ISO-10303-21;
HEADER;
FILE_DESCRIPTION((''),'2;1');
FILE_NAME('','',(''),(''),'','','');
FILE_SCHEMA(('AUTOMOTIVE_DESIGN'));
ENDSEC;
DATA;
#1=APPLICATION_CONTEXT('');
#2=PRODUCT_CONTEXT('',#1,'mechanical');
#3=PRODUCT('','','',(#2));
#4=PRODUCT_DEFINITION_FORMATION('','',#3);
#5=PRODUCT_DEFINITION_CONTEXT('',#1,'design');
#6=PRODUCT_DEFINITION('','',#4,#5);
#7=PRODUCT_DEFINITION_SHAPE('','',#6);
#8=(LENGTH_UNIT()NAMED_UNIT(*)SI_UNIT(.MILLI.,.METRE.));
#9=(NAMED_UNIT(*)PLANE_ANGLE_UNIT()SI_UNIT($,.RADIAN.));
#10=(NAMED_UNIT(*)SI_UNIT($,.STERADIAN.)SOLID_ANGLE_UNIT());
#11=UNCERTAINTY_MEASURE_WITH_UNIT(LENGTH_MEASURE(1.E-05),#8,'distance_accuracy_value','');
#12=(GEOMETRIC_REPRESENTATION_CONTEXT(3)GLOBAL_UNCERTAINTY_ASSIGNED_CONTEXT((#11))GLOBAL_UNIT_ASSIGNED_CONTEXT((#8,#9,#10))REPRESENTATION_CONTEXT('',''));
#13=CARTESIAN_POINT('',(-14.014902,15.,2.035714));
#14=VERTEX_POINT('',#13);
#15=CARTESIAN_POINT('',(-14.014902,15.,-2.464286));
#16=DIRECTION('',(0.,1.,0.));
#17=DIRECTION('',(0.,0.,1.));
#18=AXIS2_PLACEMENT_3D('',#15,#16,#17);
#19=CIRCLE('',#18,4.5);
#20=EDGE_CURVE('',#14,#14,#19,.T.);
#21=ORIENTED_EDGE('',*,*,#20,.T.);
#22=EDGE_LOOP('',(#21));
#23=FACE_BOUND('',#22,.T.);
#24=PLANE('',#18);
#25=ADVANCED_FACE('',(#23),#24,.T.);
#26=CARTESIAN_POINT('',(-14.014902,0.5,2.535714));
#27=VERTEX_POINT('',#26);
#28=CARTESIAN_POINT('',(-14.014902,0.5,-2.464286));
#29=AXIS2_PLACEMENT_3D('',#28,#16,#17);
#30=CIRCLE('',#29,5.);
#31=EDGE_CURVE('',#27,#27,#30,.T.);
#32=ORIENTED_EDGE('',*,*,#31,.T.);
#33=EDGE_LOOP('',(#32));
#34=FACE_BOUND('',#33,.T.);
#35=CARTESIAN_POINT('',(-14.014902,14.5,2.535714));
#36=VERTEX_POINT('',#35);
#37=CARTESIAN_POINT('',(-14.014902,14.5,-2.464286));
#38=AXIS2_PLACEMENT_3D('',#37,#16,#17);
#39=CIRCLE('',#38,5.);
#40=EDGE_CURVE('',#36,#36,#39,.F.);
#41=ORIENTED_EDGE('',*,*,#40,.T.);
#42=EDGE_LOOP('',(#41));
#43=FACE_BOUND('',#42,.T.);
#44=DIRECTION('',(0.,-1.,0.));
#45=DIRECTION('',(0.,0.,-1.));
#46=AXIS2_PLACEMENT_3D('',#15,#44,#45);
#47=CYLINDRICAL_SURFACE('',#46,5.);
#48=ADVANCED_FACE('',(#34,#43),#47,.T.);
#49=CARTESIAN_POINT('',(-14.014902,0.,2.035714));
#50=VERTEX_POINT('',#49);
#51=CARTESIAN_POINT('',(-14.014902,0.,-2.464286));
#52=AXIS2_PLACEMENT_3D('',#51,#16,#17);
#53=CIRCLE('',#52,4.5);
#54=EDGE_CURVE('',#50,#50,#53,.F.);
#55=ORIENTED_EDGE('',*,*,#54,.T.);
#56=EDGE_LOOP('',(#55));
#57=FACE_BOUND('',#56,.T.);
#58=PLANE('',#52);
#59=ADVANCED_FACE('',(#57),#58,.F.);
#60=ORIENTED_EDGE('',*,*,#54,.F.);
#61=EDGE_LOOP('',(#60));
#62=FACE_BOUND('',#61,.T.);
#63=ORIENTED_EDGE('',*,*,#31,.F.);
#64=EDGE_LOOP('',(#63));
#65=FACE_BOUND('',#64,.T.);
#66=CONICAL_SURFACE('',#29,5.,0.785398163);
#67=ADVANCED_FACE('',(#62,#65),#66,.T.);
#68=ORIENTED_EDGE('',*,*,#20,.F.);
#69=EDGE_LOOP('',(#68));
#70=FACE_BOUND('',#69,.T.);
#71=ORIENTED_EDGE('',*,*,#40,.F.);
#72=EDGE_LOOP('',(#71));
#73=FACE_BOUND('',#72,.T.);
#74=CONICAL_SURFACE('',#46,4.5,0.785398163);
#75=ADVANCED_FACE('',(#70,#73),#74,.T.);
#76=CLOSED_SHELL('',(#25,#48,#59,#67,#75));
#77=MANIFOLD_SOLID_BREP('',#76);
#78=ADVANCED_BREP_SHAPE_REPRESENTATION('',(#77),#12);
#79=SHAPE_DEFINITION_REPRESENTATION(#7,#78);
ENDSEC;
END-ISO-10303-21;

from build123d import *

# Parameters (mm, degrees)
SKETCH1_R        = 5
PEG_DEPTH        = 15
PEG_CHAMFER_SIZE = 0.5


with BuildPart() as part:
    # Sketch1 → Peg (new body)
    with BuildSketch(Plane(origin=(0, 0, 0), x_dir=(1, 0, 0), z_dir=(0, 1, 0))):
        with Locations(Location((-14.014901848, 2.464285714, 0), (0, 0, 270))):
            Circle(SKETCH1_R)
    extrude(amount=PEG_DEPTH)

    # Peg Chamfer
    peg_chamfer_edges = [part.edges().sort_by_distance(p)[0] for p in [
        (-14.014901848, 0, -7.464285714),
        (-14.014901848, 15, -7.464285714),
    ]]
    chamfer(peg_chamfer_edges, length=PEG_CHAMFER_SIZE)


solid = part.part
